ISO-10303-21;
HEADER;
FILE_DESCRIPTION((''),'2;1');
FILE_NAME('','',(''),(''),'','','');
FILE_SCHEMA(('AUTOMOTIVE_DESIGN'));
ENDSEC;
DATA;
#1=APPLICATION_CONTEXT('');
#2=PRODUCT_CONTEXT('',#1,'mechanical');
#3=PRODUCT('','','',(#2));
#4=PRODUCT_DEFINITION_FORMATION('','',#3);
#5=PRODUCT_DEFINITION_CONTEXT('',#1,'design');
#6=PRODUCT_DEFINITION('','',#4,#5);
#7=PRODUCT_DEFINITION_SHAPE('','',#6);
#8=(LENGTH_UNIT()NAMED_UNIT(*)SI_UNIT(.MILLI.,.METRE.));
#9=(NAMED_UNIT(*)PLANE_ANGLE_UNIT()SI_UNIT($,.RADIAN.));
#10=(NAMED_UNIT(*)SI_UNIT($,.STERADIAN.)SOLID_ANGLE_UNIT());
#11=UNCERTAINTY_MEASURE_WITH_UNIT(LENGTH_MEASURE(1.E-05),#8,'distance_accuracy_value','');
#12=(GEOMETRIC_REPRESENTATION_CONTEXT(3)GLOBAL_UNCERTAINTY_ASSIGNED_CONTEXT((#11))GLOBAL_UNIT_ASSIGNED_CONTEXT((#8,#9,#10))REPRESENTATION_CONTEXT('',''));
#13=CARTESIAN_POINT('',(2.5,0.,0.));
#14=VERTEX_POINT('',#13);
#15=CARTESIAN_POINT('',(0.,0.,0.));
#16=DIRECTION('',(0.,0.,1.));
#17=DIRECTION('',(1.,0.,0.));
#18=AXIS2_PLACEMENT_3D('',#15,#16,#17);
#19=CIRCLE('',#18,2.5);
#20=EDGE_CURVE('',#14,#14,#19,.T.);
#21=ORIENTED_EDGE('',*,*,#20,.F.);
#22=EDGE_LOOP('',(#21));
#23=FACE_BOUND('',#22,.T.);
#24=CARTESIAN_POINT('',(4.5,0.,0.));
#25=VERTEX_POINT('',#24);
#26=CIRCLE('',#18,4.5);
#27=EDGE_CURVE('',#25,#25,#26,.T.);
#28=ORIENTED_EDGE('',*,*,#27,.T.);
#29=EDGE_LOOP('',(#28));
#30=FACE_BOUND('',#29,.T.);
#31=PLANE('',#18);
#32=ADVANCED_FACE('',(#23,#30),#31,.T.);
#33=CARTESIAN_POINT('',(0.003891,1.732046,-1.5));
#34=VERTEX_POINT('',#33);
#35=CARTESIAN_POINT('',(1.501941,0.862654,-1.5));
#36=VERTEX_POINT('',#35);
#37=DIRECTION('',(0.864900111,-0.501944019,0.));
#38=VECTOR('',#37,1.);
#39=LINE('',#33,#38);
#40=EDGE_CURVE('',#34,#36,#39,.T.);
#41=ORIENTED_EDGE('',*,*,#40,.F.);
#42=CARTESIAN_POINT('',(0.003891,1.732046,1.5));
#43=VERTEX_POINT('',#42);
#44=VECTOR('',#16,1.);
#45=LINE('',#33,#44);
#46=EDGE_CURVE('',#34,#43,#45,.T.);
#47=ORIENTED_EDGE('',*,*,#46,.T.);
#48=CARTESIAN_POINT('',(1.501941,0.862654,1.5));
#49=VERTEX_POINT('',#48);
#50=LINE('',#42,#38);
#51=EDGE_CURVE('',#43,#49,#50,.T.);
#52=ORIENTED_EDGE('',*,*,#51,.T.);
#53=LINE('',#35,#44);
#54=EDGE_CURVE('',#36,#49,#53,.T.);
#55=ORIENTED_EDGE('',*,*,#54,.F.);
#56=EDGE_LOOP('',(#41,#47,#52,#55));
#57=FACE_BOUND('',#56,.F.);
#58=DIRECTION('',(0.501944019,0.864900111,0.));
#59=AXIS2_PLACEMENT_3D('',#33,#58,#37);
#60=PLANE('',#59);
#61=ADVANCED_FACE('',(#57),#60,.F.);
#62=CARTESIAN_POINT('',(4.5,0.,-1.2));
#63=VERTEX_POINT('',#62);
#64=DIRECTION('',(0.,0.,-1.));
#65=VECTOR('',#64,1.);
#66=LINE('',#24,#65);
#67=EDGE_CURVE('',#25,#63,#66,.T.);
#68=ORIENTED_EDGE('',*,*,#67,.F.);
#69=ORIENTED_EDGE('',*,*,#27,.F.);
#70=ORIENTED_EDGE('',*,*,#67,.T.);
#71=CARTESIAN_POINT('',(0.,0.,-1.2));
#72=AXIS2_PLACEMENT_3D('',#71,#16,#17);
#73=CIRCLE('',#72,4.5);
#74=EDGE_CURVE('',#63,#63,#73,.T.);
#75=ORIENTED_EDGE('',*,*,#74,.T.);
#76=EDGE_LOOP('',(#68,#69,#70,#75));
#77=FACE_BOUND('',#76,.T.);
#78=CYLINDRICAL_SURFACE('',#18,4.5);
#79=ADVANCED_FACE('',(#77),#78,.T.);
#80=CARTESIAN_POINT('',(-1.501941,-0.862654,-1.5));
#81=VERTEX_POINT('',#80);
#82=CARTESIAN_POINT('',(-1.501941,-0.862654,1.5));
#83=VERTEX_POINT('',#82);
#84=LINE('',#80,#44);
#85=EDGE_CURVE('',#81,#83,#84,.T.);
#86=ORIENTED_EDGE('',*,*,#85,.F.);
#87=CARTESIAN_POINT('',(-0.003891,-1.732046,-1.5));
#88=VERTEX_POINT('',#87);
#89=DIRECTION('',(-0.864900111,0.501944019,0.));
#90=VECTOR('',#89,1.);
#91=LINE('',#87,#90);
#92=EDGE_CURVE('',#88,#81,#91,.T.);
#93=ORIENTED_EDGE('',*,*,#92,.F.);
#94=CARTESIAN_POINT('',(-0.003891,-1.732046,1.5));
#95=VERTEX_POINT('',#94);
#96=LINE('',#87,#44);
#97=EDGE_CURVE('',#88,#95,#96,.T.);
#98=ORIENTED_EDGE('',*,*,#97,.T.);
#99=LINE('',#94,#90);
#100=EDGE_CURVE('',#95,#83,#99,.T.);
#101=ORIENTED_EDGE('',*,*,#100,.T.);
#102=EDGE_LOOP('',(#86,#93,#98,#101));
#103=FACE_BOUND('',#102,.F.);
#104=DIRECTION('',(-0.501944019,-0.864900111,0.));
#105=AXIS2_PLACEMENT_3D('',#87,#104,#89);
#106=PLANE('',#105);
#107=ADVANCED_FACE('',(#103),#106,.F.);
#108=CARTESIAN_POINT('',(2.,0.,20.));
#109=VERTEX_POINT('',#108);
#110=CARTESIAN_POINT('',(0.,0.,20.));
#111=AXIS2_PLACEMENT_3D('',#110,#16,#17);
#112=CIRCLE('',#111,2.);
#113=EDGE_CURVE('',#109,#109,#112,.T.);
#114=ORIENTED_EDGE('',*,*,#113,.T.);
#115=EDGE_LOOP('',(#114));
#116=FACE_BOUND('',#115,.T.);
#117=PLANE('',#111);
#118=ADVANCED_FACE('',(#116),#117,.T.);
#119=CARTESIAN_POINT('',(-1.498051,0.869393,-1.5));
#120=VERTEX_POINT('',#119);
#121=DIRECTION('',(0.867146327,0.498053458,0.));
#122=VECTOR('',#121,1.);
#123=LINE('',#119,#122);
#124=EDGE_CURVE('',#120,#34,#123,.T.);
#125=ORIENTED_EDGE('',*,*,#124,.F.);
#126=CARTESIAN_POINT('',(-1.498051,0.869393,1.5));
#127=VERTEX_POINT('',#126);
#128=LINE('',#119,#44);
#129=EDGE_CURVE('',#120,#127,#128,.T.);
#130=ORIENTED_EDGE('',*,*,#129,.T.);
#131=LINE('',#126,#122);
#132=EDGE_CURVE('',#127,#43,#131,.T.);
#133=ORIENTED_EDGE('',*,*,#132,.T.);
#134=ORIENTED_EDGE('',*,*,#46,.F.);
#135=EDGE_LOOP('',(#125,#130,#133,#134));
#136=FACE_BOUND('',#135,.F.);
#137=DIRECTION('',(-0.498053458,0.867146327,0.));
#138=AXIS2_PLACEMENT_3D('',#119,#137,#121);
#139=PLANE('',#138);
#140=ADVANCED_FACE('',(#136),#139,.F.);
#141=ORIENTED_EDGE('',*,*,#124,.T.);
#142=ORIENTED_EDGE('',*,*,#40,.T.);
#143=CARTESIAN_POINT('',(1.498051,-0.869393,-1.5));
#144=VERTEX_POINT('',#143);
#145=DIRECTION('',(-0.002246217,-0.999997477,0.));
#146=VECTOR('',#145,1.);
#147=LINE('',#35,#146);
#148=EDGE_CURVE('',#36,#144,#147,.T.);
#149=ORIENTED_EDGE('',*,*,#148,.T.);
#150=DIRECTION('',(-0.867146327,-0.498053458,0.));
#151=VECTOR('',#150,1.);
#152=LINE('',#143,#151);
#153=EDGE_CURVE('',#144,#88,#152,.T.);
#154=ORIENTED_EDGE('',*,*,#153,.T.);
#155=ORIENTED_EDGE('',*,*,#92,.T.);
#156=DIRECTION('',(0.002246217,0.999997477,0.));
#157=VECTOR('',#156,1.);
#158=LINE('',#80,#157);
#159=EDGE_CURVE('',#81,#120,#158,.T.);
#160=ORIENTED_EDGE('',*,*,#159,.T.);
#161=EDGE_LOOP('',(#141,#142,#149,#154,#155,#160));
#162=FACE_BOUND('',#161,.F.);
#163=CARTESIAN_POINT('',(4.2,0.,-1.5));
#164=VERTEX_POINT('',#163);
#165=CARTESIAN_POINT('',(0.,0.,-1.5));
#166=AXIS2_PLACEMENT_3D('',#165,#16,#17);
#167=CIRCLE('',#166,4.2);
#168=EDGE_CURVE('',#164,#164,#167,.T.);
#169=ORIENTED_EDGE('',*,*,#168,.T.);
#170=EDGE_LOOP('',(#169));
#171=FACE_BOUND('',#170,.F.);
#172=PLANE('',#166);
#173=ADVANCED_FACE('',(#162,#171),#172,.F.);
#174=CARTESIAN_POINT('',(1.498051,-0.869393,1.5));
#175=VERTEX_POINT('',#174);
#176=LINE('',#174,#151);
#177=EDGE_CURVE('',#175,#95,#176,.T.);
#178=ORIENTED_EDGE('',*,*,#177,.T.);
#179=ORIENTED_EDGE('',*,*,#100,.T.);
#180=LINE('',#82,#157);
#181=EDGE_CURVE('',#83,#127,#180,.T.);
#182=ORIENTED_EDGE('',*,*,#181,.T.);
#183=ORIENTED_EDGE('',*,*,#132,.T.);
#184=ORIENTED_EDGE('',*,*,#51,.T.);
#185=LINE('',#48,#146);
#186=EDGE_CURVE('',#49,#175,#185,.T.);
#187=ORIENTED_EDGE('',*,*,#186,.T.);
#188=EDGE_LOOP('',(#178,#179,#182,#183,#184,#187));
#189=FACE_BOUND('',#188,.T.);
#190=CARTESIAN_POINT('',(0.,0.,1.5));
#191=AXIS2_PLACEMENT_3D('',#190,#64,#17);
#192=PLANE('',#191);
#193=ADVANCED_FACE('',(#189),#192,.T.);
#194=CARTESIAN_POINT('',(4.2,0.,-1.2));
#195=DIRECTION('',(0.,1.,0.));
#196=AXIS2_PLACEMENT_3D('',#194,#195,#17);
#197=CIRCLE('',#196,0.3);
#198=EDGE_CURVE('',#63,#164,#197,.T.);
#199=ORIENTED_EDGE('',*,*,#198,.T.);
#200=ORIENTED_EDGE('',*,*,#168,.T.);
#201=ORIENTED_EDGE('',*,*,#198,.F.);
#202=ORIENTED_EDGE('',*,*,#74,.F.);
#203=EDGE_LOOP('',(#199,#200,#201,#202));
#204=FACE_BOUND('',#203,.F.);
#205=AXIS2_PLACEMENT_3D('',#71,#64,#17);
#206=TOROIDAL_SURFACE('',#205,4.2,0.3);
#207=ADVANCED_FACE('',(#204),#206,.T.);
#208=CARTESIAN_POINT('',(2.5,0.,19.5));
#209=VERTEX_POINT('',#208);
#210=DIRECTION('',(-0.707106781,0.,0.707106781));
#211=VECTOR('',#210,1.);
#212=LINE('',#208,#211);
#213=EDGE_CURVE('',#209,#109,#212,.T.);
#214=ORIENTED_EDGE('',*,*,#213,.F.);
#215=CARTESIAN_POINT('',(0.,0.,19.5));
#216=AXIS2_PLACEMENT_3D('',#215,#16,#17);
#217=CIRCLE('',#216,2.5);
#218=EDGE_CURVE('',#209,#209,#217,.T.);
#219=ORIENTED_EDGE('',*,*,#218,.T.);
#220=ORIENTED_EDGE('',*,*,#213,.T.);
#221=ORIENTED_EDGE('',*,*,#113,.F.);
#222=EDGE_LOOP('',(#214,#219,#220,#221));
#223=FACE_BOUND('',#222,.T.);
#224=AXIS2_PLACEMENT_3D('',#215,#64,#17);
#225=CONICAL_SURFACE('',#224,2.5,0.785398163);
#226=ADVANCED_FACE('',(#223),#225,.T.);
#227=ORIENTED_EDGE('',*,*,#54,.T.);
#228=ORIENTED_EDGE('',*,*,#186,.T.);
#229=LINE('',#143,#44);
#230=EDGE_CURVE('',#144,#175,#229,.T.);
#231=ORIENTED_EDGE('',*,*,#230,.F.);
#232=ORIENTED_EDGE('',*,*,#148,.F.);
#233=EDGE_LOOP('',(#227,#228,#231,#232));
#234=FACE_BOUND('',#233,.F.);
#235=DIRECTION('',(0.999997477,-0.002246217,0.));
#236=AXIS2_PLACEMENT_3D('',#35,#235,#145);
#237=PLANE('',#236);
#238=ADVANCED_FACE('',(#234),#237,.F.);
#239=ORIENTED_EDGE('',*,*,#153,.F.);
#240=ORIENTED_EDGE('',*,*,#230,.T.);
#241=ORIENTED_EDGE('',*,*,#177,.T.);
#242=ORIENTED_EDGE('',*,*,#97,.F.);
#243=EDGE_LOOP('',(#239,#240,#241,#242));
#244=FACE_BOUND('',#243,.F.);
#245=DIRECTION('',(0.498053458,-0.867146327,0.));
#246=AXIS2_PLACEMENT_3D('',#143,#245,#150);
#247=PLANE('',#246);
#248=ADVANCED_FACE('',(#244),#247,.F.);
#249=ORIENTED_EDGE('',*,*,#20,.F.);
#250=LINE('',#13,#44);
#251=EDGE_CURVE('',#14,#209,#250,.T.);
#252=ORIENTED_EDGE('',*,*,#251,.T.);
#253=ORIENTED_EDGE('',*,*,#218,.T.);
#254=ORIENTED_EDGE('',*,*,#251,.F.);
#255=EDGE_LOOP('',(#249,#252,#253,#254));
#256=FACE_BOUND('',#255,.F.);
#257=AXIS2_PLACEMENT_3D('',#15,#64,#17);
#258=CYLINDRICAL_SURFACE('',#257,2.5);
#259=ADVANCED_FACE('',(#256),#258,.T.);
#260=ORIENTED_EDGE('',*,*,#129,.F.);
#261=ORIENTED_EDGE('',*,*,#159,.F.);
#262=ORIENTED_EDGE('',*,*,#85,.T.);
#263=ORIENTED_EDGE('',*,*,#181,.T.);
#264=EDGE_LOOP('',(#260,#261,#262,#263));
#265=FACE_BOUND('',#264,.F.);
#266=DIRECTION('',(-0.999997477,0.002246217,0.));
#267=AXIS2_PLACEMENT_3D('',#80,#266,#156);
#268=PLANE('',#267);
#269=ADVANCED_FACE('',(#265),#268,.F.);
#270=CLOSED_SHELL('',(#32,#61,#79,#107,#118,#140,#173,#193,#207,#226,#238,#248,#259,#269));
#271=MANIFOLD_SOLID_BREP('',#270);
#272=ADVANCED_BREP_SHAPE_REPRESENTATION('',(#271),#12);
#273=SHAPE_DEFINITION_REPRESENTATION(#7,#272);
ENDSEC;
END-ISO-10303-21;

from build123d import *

# Parameters (mm, degrees)
F0_R      = 2.5
F1_DEPTH  = 20
F0_R_2    = 4.5
F1_FACE_R = 2.5
F2_DEPTH  = 1.5
F4_R      = 0.3
F5_DEPTH  = 3
F6_SIZE   = 0.5


with BuildPart() as f1:
    # F0 (on Top) → F1 (new body)
    with BuildSketch(Plane.XY):
        Circle(F0_R)
    extrude(amount=F1_DEPTH)

    # F0 (on Top) + F1_face (on face) → F2 (join)
    with BuildSketch(Plane.XY):
        Circle(F0_R_2)
        Circle(F0_R, mode=Mode.SUBTRACT)
    with BuildSketch(Plane(origin=(0, 0, 0), x_dir=(1, 0, 0), z_dir=(0, 0, -1))):
        Circle(F1_FACE_R)
    extrude(amount=-F2_DEPTH, dir=(0, 0, 1))

    # F4
    f4_edges = [f1.edges().sort_by_distance(p)[0] for p in [
        (-4.5, 0, -1.5),
    ]]
    fillet(f4_edges, radius=F4_R)

    # F3 (on face) → F5 (cut)
    with BuildSketch(Plane(origin=(0, 0, -1.5), x_dir=(1, 0, 0), z_dir=(0, 0, -1))):
        Polygon((-1.4980509352, -0.869392544), (0.0038905614, -1.732046438), (1.5019414966, -0.862653894), (1.4980509352, 0.869392544), (-0.0038905614, 1.732046438), (-1.5019414966, 0.862653894), align=None)
    extrude(amount=-F5_DEPTH, mode=Mode.SUBTRACT)

    # F6
    f6_edges = [f1.edges().sort_by_distance(p)[0] for p in [
        (-2.5, 0, 20),
    ]]
    chamfer(f6_edges, length=F6_SIZE)


solid = f1.part
